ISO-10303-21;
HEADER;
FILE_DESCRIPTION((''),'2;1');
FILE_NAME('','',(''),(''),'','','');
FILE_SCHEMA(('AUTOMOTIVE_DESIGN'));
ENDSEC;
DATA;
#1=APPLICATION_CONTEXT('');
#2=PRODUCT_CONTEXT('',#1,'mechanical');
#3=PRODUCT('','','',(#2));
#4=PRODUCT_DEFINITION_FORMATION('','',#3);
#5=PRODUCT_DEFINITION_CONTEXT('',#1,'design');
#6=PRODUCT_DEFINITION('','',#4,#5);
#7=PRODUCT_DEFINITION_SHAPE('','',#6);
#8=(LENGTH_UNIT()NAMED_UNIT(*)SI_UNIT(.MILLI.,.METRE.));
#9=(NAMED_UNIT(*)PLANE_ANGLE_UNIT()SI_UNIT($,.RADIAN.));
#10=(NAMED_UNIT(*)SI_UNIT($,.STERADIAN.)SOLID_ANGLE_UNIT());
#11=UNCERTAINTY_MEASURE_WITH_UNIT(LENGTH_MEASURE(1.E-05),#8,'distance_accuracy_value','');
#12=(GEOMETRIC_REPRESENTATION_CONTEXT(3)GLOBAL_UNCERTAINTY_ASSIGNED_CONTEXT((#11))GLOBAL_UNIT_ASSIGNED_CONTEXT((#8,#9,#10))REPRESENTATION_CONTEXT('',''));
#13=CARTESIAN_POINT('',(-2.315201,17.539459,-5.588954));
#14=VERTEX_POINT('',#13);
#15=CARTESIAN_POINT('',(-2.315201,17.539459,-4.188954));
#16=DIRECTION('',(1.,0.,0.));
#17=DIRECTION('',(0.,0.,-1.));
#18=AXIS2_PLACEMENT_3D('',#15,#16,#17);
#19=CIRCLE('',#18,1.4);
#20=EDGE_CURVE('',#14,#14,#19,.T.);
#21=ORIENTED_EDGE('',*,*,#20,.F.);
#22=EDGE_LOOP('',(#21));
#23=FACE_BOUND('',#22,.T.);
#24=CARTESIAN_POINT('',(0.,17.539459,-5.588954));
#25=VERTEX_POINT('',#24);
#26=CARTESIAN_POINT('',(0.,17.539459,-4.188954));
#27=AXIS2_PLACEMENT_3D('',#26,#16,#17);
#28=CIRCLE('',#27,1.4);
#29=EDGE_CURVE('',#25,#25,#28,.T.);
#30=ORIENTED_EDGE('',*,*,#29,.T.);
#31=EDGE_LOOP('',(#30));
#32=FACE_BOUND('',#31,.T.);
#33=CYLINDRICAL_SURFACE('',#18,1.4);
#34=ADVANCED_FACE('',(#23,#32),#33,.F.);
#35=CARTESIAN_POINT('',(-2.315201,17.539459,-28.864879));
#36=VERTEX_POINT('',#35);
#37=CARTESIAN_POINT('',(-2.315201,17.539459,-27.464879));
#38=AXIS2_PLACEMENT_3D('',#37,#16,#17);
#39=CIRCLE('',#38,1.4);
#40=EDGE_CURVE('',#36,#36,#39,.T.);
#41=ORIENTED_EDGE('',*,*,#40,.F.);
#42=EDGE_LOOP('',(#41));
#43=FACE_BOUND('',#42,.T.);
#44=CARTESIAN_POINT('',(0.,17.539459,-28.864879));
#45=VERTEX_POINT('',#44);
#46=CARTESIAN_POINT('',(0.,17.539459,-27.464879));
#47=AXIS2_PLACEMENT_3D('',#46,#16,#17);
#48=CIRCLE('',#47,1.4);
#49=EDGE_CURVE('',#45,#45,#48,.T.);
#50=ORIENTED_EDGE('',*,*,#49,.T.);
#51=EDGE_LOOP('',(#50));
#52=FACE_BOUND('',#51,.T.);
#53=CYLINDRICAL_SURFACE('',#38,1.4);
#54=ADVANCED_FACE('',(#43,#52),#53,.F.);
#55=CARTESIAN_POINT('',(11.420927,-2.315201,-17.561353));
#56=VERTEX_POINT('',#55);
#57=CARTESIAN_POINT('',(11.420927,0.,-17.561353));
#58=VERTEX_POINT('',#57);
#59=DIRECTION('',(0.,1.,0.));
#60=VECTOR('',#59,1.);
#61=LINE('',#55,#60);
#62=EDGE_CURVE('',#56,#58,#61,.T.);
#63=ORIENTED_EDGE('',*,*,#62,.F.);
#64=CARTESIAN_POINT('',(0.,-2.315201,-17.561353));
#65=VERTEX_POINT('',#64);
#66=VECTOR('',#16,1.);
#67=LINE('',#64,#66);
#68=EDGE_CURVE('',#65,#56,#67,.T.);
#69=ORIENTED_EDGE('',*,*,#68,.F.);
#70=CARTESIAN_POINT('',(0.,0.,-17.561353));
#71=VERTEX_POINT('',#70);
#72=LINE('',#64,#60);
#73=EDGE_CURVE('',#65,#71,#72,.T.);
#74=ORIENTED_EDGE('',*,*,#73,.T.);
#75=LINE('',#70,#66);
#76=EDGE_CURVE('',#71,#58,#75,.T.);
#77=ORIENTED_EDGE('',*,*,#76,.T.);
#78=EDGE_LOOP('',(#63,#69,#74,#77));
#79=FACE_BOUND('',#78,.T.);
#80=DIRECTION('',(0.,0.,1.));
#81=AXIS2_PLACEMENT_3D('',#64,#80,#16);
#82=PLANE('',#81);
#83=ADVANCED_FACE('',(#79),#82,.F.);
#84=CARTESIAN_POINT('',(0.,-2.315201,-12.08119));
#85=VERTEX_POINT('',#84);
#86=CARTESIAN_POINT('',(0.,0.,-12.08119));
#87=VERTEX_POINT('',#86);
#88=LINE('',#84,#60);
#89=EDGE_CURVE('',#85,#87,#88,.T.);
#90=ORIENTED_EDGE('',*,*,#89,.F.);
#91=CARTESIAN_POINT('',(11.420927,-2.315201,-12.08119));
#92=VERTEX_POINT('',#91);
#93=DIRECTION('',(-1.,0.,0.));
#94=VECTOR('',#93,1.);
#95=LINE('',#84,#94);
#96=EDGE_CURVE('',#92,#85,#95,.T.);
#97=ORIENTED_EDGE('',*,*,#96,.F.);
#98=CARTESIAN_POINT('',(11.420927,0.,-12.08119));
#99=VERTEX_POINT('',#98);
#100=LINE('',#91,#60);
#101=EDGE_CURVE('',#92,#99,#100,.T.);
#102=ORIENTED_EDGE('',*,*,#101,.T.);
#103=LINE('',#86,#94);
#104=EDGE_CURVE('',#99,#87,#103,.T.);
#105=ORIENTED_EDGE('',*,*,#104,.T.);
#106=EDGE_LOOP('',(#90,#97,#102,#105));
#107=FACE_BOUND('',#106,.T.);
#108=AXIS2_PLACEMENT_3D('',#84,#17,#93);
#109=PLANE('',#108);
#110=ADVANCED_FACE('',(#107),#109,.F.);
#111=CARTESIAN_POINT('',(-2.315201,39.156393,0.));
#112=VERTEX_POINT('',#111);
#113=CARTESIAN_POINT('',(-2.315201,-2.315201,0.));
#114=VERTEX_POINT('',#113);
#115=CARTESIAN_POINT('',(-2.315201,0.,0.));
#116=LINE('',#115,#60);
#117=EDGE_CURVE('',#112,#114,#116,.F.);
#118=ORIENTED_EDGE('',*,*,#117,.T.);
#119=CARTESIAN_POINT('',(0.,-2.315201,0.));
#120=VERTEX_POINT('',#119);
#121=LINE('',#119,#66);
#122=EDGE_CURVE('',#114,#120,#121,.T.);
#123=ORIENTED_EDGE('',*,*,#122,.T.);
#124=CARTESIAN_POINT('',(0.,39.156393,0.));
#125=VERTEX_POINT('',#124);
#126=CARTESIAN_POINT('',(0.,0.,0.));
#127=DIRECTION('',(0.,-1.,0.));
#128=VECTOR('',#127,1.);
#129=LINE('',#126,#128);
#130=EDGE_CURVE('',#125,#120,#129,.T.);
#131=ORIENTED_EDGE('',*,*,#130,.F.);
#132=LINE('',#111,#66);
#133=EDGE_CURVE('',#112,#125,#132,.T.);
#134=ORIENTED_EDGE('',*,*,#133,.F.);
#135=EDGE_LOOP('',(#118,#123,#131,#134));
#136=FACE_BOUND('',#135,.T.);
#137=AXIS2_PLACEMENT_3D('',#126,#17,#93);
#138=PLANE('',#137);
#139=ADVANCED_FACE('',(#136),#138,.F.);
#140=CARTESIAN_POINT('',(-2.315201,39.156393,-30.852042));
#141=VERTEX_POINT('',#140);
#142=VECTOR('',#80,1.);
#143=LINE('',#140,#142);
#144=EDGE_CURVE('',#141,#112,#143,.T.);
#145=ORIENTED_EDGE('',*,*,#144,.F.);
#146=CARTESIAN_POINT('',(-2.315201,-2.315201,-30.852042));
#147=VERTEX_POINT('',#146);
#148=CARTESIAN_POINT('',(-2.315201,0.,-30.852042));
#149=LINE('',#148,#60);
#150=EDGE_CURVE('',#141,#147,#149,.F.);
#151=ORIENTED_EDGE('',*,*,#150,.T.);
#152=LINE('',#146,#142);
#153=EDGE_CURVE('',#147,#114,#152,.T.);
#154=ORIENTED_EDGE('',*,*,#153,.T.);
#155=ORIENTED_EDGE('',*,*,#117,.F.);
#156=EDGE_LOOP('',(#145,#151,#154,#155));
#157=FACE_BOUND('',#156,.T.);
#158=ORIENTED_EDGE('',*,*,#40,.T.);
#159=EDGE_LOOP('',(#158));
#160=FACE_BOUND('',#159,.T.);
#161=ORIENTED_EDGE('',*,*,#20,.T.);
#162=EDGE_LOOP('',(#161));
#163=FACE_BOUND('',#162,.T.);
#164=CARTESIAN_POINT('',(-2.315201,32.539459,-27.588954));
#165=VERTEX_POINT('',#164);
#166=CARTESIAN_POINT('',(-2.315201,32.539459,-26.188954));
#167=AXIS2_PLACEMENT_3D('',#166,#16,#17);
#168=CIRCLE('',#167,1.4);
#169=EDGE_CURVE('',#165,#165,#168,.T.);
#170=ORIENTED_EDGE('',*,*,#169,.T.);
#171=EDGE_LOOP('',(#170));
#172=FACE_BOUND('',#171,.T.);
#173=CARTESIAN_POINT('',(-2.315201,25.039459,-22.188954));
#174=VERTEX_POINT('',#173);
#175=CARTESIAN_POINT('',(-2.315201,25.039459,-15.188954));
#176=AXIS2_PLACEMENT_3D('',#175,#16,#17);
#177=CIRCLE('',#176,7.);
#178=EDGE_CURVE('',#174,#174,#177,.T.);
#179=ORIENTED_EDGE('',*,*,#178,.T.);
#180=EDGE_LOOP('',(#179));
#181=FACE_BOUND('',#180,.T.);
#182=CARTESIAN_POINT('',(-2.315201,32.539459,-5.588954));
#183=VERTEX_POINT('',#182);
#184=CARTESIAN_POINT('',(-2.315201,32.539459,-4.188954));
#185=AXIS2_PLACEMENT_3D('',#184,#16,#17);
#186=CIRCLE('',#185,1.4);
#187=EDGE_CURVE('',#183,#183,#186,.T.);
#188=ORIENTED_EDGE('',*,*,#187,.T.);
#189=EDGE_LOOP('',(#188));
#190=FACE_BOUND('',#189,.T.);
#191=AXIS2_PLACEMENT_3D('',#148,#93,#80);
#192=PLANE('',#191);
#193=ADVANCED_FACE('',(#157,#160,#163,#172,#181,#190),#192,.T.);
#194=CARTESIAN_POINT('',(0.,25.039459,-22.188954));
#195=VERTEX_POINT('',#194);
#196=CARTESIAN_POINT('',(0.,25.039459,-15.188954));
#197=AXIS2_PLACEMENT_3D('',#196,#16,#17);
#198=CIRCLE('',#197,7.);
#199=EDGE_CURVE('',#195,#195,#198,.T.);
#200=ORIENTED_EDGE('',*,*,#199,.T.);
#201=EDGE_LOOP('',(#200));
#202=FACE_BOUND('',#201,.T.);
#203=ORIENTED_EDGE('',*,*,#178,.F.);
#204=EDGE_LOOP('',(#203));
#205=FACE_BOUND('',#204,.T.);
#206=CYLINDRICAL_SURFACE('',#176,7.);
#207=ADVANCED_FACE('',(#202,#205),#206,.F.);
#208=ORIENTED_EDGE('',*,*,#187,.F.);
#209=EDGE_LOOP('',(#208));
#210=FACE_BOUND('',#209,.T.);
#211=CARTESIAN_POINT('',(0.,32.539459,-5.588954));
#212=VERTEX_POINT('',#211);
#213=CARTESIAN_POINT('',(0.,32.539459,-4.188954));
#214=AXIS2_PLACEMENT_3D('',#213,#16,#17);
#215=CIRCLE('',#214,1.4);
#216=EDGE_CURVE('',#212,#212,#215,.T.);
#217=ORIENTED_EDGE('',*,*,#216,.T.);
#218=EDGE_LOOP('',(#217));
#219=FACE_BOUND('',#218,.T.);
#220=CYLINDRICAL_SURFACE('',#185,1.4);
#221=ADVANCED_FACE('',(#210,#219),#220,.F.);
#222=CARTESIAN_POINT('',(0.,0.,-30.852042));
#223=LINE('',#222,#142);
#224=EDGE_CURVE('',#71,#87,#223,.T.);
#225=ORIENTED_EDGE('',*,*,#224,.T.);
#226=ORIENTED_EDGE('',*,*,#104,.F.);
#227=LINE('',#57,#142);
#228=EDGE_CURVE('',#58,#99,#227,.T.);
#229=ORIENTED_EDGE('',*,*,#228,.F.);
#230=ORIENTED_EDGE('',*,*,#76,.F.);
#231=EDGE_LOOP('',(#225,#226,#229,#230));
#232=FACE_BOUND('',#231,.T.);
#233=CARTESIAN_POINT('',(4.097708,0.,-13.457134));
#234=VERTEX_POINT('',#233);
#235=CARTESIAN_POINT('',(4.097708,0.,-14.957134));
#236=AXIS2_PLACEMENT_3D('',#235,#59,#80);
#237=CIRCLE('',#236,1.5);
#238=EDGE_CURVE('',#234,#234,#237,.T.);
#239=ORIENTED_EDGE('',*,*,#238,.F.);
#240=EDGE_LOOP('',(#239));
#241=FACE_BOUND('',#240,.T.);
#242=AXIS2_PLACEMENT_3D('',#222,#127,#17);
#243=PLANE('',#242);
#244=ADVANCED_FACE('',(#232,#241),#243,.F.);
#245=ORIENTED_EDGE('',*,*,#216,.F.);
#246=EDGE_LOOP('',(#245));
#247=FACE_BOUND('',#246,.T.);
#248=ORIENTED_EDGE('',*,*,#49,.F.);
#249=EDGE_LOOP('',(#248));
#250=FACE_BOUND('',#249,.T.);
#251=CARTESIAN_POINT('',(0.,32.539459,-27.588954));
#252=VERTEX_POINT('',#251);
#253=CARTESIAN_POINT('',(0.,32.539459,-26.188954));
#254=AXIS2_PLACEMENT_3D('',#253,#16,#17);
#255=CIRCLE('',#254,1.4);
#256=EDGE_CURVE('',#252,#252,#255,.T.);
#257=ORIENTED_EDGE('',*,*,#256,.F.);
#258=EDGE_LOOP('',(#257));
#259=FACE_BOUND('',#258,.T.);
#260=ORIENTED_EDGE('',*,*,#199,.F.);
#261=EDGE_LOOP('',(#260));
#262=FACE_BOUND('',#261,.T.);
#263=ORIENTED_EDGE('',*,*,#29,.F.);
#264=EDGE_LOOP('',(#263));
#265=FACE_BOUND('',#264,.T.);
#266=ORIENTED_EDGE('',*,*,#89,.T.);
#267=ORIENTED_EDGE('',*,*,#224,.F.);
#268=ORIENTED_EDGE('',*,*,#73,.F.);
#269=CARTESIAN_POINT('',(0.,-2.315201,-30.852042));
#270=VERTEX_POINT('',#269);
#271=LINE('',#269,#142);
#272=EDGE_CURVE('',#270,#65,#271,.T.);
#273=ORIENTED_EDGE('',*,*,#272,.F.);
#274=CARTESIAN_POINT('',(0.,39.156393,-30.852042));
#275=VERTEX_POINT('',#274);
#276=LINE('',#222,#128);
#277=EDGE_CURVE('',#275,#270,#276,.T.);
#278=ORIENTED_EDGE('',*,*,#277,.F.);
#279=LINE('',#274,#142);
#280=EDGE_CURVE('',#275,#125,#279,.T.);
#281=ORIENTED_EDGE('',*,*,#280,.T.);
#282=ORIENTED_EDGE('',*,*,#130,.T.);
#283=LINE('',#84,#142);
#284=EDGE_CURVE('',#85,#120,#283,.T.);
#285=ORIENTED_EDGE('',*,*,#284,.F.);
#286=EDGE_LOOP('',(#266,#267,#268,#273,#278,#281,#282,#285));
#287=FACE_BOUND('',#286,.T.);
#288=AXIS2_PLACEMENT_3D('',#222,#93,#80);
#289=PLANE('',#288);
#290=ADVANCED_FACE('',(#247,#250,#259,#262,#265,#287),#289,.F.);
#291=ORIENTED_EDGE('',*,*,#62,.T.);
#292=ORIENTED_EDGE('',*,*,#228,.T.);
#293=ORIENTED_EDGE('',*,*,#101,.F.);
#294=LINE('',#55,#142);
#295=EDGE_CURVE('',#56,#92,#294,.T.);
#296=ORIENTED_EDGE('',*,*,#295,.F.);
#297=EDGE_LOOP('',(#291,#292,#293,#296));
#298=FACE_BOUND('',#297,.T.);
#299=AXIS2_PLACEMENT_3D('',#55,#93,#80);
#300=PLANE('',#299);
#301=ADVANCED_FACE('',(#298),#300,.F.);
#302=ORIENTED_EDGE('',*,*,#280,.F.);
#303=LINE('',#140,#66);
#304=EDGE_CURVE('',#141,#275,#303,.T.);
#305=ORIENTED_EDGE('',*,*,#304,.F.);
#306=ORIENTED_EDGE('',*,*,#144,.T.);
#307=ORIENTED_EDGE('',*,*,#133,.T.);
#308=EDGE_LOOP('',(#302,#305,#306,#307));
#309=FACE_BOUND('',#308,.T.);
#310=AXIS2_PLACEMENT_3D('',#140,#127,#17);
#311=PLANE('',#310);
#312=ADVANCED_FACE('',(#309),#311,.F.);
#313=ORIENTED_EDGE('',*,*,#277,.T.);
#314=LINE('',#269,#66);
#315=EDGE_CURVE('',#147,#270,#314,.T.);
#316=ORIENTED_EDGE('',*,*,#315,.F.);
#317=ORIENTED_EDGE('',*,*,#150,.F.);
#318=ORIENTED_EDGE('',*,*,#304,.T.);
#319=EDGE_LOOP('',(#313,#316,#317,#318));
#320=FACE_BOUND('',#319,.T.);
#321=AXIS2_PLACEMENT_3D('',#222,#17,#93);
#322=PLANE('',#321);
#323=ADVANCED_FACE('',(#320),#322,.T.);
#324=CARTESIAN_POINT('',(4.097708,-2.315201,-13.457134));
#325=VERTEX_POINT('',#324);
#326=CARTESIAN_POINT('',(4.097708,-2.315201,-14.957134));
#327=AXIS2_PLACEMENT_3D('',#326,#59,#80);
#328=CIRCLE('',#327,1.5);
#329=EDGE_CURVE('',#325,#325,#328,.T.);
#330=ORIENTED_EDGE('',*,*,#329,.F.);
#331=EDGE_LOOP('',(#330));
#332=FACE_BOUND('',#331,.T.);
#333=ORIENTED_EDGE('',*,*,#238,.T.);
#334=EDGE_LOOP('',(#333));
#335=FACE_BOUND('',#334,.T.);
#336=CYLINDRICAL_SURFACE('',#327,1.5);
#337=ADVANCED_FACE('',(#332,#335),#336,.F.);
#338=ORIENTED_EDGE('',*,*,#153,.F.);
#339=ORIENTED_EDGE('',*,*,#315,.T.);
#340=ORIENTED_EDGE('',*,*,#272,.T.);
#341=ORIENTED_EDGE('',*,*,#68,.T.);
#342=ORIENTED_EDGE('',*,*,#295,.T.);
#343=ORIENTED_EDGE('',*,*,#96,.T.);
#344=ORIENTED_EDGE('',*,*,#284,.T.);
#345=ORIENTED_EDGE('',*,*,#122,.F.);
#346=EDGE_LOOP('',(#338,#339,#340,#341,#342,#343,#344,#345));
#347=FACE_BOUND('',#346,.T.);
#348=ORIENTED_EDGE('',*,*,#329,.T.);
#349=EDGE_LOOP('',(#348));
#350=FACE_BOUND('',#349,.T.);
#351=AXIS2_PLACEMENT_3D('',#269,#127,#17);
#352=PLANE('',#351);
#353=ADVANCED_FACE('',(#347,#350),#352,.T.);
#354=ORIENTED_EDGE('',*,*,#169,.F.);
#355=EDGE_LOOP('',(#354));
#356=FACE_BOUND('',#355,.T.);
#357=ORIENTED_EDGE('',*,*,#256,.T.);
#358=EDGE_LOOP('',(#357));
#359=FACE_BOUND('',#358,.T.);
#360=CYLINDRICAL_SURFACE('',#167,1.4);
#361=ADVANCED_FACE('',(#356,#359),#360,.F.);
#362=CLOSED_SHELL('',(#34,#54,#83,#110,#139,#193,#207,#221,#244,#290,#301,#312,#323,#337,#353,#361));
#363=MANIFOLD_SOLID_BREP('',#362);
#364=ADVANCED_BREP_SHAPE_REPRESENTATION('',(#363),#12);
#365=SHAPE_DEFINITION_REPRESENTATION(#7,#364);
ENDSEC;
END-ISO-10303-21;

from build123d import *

# Parameters (mm, degrees)
EXTRUDE_THIN2_DEPTH = 30.852042279
SKETCH2_R           = 1.5
CUT_EXTRUDE1_DEPTH  = 53.491563016
SKETCH4_R           = 7
CUT_EXTRUDE3_DEPTH  = 53.491563016
SKETCH6_R           = 1.4
CUT_EXTRUDE5_DEPTH  = 53.491563016
SKETCH7_W           = 16.44057734
SKETCH7_H           = 12.081190297
SKETCH7_H_2         = 13.290689101
CUT_EXTRUDE6_DEPTH  = 53.491563016
SKETCH8_W           = 5.019650722
SKETCH8_H           = 5.480162881
CUT_EXTRUDE7_DEPTH  = 53.491563016


with BuildPart() as part:
    # Sketch1 → Extrude-Thin2 (new body)
    with BuildSketch(Plane.XY):
        Polygon((16.44057734, 0), (0, 0), (0, 39.156392732), (-2.315200758, 39.156392732), (-2.315200758, -2.315200758), (16.44057734, -2.315200758), align=None)
    extrude(amount=-EXTRUDE_THIN2_DEPTH)

    # Sketch2 → Cut-Extrude1 (cut, through all)
    with BuildSketch(Plane(origin=(0, 0, 0), x_dir=(1, 0, 0), z_dir=(0, 1, 0))):
        with Locations(Location((4.097708223, 14.957133601, 0), (0, 0, 270))):
            Circle(SKETCH2_R)
    extrude(amount=-CUT_EXTRUDE1_DEPTH, mode=Mode.SUBTRACT)

    # Sketch4 → Cut-Extrude3 (cut, through all)
    with BuildSketch(Plane(origin=(0, 0, 0), x_dir=(0, 0, -1), z_dir=(1, 0, 0))):
        with Locations((15.188954452, 25.039458811)):
            Circle(SKETCH4_R)
    extrude(amount=-CUT_EXTRUDE3_DEPTH, mode=Mode.SUBTRACT)

    # Sketch6 → Cut-Extrude5 (cut, through all)
    with BuildSketch(Plane(origin=(0, 0, 0), x_dir=(0, 0, -1), z_dir=(1, 0, 0))):
        with Locations((4.188954452, 32.539458811)):
            Circle(SKETCH6_R)
        with Locations((4.188954452, 17.539458811)):
            Circle(SKETCH6_R)
        with Locations((26.188954452, 32.539458811)):
            Circle(SKETCH6_R)
        with Locations((27.46487917, 17.539458811)):
            Circle(SKETCH6_R)
    extrude(amount=-CUT_EXTRUDE5_DEPTH, mode=Mode.SUBTRACT)

    # Sketch7 → Cut-Extrude6 (cut, through all)
    with BuildSketch(Plane(origin=(0, 0, 0), x_dir=(1, 0, 0), z_dir=(0, 1, 0))):
        with Locations((8.22028867, 6.040595149)):
            Rectangle(SKETCH7_W, SKETCH7_H)
        with Locations((8.22028867, 24.206697729)):
            Rectangle(SKETCH7_W, SKETCH7_H_2)
    extrude(amount=-CUT_EXTRUDE6_DEPTH, mode=Mode.SUBTRACT)

    # Sketch8 → Cut-Extrude7 (cut, through all)
    with BuildSketch(Plane(origin=(0, 0, 0), x_dir=(1, 0, 0), z_dir=(0, 1, 0))):
        with Locations((13.930751979, 14.821271738)):
            Rectangle(SKETCH8_W, SKETCH8_H)
    extrude(amount=-CUT_EXTRUDE7_DEPTH, mode=Mode.SUBTRACT)


solid = part.part
